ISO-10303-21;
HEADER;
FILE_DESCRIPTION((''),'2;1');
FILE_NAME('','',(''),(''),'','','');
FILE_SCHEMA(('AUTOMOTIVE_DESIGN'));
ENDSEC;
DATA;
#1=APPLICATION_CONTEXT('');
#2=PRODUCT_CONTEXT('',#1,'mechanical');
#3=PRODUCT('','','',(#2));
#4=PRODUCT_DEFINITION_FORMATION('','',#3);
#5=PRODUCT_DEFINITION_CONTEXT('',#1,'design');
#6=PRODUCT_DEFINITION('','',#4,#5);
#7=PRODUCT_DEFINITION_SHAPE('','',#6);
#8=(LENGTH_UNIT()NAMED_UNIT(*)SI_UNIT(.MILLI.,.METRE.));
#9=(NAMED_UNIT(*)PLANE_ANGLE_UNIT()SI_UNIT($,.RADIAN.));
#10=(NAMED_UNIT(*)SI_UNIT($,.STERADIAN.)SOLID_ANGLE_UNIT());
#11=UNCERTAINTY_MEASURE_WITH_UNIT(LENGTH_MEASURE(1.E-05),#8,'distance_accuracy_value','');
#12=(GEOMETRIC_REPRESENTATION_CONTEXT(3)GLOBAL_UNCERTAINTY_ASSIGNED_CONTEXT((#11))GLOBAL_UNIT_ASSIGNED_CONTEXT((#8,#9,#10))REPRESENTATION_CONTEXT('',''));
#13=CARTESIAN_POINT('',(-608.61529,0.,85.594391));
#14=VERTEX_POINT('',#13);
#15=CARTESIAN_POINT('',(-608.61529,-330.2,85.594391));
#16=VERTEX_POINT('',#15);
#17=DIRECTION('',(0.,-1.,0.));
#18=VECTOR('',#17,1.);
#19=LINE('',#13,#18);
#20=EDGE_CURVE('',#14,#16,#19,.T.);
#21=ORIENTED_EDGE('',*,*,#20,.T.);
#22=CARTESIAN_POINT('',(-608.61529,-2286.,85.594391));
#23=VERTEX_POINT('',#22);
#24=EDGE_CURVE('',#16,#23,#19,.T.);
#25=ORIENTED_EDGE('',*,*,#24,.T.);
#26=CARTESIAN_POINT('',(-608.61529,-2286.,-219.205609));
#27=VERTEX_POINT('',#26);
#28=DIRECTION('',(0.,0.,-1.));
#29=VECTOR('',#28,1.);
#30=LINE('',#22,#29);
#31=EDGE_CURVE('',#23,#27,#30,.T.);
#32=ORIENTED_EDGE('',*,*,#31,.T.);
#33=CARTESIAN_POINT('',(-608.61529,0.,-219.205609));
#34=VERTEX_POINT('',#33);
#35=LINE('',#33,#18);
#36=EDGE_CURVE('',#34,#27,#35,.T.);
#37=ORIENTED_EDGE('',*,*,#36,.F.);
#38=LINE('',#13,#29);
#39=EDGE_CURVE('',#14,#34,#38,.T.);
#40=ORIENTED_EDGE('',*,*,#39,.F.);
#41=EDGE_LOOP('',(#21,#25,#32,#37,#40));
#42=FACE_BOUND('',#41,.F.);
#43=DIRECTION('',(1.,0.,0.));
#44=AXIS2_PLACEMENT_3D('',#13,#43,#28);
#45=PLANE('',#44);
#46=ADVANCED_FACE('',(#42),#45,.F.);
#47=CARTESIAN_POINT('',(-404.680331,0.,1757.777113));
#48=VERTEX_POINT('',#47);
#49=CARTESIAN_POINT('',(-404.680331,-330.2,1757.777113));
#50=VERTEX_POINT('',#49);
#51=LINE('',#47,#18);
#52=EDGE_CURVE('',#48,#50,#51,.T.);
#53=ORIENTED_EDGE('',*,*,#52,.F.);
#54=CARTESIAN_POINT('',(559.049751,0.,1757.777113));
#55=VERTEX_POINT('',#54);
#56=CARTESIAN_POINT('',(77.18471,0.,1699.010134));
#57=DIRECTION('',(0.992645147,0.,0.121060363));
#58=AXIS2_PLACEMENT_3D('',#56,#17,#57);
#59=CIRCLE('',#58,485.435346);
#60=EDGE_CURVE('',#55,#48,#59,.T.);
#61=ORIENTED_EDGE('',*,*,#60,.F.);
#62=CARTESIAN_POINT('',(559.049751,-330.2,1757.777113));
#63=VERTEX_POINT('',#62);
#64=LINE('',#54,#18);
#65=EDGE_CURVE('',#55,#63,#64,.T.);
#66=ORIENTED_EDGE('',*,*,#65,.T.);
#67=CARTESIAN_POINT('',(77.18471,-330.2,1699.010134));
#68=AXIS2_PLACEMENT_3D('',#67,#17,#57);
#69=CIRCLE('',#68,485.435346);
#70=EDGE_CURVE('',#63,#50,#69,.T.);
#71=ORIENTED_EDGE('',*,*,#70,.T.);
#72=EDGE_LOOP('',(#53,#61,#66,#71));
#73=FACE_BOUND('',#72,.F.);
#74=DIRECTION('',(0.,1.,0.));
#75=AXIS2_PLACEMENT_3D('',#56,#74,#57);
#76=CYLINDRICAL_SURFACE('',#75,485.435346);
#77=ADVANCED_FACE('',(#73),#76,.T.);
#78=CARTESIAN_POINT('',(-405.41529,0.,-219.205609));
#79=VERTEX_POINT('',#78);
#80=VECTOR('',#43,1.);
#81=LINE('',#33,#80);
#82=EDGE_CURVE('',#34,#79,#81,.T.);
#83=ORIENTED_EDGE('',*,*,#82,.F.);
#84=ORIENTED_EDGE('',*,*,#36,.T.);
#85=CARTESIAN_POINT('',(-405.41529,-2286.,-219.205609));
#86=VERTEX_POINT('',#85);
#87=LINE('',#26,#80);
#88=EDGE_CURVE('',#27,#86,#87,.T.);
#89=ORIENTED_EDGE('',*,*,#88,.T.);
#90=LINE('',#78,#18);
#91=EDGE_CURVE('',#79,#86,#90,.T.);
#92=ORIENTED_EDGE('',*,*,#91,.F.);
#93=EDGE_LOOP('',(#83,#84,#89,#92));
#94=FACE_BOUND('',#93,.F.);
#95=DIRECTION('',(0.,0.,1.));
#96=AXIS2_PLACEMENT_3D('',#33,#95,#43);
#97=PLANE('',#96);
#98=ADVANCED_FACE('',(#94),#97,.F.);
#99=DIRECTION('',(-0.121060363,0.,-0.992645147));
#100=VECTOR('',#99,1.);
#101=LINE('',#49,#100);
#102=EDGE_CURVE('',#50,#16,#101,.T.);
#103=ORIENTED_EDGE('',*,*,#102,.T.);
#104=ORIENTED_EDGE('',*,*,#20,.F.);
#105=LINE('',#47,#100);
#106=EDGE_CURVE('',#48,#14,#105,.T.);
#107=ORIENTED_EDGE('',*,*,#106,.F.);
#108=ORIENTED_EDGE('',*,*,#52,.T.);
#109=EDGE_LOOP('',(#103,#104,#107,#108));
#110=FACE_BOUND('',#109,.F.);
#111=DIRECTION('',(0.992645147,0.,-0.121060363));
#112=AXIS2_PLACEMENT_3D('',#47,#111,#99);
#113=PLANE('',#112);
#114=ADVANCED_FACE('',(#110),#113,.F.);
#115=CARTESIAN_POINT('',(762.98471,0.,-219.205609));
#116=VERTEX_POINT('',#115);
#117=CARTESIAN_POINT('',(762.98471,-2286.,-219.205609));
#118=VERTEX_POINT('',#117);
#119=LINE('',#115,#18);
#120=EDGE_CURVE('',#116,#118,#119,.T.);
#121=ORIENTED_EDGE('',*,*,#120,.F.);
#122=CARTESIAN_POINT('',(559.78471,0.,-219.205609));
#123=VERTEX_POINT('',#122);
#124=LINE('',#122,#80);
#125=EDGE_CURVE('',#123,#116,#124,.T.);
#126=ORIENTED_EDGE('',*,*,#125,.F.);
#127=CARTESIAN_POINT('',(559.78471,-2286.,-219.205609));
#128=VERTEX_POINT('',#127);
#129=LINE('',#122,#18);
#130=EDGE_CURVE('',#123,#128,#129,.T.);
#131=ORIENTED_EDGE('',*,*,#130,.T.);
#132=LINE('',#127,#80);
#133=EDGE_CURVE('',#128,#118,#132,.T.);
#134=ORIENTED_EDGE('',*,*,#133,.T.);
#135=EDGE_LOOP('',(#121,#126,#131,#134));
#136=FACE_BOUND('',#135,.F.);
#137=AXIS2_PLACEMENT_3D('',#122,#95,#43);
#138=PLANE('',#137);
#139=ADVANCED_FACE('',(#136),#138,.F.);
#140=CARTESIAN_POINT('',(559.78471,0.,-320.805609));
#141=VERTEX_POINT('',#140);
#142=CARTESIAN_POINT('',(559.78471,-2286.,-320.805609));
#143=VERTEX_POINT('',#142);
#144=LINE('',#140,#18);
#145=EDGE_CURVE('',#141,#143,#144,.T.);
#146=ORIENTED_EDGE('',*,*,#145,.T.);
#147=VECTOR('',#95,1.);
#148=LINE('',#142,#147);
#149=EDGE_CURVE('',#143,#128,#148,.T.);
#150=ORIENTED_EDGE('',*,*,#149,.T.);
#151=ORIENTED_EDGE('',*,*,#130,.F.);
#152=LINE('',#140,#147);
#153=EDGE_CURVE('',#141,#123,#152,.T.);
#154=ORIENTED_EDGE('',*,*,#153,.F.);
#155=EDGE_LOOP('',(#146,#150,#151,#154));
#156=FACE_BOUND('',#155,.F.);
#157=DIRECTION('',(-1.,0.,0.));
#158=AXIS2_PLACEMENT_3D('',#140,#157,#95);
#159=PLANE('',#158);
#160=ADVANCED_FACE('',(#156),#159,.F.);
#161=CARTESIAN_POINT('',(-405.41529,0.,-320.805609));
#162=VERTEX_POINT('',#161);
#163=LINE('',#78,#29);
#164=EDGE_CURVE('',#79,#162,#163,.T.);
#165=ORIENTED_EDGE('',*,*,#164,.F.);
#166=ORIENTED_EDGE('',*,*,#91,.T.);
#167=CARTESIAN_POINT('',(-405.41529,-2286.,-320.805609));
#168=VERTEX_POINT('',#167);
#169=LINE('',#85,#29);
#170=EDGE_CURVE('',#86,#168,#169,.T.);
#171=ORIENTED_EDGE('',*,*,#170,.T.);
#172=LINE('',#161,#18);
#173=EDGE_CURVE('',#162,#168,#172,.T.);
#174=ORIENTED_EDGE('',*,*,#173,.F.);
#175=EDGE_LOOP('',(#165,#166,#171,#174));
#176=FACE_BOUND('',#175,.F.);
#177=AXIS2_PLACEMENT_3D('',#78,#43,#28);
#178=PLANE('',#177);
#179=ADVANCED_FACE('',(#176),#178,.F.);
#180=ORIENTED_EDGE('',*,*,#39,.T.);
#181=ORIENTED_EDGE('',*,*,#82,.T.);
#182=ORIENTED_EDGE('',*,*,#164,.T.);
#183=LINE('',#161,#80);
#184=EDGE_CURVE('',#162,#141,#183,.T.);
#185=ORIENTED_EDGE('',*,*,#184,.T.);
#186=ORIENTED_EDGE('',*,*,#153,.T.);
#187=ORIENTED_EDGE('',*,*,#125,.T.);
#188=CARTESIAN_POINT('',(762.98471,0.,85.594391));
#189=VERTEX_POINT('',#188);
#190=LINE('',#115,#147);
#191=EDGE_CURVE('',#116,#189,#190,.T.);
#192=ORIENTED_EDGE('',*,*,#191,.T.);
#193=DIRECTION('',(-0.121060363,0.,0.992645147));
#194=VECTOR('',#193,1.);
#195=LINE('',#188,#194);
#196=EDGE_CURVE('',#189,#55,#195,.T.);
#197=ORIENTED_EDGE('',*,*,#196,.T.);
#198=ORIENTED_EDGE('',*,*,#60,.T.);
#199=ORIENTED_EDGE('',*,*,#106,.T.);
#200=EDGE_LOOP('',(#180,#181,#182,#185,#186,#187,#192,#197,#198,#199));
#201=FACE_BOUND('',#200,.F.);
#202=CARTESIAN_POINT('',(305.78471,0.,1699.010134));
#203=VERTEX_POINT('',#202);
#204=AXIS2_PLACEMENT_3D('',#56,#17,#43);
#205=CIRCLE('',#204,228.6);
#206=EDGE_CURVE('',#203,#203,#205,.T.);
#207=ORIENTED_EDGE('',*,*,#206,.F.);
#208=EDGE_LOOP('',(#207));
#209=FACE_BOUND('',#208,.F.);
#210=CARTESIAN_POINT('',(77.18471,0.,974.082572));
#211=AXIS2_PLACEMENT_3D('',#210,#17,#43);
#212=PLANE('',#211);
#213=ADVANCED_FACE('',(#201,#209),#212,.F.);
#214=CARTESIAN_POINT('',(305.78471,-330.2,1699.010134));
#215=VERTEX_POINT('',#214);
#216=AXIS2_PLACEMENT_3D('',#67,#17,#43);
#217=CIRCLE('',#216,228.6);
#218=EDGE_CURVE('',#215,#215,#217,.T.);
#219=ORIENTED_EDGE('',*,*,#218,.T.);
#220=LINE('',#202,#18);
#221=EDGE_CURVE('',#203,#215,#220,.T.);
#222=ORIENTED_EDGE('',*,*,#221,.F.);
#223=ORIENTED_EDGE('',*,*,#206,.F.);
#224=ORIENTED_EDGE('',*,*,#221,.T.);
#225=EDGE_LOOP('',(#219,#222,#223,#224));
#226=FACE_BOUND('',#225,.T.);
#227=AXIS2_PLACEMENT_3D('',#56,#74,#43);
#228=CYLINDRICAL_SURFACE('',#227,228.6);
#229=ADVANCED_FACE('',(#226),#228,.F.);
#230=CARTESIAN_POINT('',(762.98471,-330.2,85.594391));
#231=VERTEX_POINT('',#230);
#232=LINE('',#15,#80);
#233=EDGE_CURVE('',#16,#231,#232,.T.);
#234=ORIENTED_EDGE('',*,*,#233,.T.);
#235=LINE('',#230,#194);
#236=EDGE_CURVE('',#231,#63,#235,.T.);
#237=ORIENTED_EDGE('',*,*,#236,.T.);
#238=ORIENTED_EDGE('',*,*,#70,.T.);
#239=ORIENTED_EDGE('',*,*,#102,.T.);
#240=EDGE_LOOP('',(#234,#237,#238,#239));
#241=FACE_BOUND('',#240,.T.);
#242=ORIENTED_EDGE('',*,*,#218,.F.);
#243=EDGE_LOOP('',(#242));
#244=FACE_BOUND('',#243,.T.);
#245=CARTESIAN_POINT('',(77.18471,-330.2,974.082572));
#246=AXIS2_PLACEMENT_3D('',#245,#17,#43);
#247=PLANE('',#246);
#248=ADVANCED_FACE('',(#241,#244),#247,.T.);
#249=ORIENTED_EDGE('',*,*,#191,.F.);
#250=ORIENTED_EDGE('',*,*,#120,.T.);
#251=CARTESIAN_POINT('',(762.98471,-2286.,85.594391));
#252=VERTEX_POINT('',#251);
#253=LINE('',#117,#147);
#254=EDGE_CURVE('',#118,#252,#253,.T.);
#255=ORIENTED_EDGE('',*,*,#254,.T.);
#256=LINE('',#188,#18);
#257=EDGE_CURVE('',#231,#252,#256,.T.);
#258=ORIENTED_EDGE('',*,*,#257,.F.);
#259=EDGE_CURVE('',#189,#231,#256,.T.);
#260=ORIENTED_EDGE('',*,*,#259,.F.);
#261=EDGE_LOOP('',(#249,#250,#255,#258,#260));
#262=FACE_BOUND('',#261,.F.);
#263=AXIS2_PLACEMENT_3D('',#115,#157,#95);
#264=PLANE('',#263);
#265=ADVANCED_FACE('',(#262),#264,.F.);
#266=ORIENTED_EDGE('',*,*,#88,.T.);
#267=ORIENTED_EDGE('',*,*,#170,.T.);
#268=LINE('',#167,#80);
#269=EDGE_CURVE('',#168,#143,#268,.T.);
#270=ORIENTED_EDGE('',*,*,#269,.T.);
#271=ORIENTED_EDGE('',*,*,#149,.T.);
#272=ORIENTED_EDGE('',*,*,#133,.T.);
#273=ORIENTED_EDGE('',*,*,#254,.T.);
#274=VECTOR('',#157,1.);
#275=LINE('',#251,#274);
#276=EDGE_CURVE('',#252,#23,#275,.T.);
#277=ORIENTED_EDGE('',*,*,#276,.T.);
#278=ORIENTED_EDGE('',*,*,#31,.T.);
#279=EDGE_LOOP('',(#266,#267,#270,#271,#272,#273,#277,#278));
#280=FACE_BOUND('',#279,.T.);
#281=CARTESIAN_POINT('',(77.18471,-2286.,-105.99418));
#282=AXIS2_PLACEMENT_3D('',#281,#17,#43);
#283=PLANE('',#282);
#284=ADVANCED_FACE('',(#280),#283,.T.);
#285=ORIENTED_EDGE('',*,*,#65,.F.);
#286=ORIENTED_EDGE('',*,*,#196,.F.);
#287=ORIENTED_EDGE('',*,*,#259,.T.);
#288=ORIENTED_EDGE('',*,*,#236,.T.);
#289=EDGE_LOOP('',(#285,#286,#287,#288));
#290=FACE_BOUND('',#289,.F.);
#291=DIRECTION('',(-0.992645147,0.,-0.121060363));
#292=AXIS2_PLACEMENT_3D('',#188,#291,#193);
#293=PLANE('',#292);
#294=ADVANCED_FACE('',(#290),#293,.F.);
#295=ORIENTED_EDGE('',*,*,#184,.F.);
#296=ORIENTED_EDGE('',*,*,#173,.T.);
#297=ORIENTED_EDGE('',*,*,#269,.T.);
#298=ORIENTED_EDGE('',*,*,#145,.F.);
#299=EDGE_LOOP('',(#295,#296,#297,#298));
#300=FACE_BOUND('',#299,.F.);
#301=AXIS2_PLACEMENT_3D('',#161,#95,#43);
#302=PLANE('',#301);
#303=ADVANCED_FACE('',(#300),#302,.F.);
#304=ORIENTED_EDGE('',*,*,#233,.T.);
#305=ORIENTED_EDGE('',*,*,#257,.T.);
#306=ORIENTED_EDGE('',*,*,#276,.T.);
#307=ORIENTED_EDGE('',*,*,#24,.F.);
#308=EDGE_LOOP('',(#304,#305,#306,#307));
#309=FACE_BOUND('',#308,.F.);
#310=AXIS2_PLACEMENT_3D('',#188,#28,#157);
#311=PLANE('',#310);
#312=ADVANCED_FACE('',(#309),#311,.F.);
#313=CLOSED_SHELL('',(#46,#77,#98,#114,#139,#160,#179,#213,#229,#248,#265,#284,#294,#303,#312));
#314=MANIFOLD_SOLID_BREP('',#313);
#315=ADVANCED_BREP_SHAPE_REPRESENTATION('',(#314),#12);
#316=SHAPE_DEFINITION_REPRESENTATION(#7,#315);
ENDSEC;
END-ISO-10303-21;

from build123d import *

# Parameters (mm, degrees)
F1_DEPTH = 2286
F0_R     = 228.6
F2_DEPTH = 330.2


with BuildPart() as f1:
    # F0 (on Front) → F1 (new body)
    with BuildSketch(Plane.XZ):
        Polygon((-405.41529, -219.205609), (-405.41529, -320.805609), (559.78471, -320.805609), (559.78471, -219.205609), (762.98471, -219.205609), (762.98471, 85.594391), (-608.61529, 85.594391), (-608.61529, -219.205609), align=None)
    extrude(amount=F1_DEPTH)

    # F0 (on Front) → F2 (join)
    with BuildSketch(Plane.XZ):
        with BuildLine():
            Line((-404.680331, 1757.777113), (-608.61529, 85.594391))
            Line((-608.61529, 85.594391), (762.98471, 85.594391))
            Line((762.98471, 85.594391), (559.049751, 1757.777113))
            ThreePointArc((559.049751, 1757.777113), (77.18471, 2184.44548), (-404.680331, 1757.777113))
        make_face()
        with Locations((77.18471, 1699.010134)):
            Circle(F0_R, mode=Mode.SUBTRACT)
    extrude(amount=F2_DEPTH)


solid = f1.part
